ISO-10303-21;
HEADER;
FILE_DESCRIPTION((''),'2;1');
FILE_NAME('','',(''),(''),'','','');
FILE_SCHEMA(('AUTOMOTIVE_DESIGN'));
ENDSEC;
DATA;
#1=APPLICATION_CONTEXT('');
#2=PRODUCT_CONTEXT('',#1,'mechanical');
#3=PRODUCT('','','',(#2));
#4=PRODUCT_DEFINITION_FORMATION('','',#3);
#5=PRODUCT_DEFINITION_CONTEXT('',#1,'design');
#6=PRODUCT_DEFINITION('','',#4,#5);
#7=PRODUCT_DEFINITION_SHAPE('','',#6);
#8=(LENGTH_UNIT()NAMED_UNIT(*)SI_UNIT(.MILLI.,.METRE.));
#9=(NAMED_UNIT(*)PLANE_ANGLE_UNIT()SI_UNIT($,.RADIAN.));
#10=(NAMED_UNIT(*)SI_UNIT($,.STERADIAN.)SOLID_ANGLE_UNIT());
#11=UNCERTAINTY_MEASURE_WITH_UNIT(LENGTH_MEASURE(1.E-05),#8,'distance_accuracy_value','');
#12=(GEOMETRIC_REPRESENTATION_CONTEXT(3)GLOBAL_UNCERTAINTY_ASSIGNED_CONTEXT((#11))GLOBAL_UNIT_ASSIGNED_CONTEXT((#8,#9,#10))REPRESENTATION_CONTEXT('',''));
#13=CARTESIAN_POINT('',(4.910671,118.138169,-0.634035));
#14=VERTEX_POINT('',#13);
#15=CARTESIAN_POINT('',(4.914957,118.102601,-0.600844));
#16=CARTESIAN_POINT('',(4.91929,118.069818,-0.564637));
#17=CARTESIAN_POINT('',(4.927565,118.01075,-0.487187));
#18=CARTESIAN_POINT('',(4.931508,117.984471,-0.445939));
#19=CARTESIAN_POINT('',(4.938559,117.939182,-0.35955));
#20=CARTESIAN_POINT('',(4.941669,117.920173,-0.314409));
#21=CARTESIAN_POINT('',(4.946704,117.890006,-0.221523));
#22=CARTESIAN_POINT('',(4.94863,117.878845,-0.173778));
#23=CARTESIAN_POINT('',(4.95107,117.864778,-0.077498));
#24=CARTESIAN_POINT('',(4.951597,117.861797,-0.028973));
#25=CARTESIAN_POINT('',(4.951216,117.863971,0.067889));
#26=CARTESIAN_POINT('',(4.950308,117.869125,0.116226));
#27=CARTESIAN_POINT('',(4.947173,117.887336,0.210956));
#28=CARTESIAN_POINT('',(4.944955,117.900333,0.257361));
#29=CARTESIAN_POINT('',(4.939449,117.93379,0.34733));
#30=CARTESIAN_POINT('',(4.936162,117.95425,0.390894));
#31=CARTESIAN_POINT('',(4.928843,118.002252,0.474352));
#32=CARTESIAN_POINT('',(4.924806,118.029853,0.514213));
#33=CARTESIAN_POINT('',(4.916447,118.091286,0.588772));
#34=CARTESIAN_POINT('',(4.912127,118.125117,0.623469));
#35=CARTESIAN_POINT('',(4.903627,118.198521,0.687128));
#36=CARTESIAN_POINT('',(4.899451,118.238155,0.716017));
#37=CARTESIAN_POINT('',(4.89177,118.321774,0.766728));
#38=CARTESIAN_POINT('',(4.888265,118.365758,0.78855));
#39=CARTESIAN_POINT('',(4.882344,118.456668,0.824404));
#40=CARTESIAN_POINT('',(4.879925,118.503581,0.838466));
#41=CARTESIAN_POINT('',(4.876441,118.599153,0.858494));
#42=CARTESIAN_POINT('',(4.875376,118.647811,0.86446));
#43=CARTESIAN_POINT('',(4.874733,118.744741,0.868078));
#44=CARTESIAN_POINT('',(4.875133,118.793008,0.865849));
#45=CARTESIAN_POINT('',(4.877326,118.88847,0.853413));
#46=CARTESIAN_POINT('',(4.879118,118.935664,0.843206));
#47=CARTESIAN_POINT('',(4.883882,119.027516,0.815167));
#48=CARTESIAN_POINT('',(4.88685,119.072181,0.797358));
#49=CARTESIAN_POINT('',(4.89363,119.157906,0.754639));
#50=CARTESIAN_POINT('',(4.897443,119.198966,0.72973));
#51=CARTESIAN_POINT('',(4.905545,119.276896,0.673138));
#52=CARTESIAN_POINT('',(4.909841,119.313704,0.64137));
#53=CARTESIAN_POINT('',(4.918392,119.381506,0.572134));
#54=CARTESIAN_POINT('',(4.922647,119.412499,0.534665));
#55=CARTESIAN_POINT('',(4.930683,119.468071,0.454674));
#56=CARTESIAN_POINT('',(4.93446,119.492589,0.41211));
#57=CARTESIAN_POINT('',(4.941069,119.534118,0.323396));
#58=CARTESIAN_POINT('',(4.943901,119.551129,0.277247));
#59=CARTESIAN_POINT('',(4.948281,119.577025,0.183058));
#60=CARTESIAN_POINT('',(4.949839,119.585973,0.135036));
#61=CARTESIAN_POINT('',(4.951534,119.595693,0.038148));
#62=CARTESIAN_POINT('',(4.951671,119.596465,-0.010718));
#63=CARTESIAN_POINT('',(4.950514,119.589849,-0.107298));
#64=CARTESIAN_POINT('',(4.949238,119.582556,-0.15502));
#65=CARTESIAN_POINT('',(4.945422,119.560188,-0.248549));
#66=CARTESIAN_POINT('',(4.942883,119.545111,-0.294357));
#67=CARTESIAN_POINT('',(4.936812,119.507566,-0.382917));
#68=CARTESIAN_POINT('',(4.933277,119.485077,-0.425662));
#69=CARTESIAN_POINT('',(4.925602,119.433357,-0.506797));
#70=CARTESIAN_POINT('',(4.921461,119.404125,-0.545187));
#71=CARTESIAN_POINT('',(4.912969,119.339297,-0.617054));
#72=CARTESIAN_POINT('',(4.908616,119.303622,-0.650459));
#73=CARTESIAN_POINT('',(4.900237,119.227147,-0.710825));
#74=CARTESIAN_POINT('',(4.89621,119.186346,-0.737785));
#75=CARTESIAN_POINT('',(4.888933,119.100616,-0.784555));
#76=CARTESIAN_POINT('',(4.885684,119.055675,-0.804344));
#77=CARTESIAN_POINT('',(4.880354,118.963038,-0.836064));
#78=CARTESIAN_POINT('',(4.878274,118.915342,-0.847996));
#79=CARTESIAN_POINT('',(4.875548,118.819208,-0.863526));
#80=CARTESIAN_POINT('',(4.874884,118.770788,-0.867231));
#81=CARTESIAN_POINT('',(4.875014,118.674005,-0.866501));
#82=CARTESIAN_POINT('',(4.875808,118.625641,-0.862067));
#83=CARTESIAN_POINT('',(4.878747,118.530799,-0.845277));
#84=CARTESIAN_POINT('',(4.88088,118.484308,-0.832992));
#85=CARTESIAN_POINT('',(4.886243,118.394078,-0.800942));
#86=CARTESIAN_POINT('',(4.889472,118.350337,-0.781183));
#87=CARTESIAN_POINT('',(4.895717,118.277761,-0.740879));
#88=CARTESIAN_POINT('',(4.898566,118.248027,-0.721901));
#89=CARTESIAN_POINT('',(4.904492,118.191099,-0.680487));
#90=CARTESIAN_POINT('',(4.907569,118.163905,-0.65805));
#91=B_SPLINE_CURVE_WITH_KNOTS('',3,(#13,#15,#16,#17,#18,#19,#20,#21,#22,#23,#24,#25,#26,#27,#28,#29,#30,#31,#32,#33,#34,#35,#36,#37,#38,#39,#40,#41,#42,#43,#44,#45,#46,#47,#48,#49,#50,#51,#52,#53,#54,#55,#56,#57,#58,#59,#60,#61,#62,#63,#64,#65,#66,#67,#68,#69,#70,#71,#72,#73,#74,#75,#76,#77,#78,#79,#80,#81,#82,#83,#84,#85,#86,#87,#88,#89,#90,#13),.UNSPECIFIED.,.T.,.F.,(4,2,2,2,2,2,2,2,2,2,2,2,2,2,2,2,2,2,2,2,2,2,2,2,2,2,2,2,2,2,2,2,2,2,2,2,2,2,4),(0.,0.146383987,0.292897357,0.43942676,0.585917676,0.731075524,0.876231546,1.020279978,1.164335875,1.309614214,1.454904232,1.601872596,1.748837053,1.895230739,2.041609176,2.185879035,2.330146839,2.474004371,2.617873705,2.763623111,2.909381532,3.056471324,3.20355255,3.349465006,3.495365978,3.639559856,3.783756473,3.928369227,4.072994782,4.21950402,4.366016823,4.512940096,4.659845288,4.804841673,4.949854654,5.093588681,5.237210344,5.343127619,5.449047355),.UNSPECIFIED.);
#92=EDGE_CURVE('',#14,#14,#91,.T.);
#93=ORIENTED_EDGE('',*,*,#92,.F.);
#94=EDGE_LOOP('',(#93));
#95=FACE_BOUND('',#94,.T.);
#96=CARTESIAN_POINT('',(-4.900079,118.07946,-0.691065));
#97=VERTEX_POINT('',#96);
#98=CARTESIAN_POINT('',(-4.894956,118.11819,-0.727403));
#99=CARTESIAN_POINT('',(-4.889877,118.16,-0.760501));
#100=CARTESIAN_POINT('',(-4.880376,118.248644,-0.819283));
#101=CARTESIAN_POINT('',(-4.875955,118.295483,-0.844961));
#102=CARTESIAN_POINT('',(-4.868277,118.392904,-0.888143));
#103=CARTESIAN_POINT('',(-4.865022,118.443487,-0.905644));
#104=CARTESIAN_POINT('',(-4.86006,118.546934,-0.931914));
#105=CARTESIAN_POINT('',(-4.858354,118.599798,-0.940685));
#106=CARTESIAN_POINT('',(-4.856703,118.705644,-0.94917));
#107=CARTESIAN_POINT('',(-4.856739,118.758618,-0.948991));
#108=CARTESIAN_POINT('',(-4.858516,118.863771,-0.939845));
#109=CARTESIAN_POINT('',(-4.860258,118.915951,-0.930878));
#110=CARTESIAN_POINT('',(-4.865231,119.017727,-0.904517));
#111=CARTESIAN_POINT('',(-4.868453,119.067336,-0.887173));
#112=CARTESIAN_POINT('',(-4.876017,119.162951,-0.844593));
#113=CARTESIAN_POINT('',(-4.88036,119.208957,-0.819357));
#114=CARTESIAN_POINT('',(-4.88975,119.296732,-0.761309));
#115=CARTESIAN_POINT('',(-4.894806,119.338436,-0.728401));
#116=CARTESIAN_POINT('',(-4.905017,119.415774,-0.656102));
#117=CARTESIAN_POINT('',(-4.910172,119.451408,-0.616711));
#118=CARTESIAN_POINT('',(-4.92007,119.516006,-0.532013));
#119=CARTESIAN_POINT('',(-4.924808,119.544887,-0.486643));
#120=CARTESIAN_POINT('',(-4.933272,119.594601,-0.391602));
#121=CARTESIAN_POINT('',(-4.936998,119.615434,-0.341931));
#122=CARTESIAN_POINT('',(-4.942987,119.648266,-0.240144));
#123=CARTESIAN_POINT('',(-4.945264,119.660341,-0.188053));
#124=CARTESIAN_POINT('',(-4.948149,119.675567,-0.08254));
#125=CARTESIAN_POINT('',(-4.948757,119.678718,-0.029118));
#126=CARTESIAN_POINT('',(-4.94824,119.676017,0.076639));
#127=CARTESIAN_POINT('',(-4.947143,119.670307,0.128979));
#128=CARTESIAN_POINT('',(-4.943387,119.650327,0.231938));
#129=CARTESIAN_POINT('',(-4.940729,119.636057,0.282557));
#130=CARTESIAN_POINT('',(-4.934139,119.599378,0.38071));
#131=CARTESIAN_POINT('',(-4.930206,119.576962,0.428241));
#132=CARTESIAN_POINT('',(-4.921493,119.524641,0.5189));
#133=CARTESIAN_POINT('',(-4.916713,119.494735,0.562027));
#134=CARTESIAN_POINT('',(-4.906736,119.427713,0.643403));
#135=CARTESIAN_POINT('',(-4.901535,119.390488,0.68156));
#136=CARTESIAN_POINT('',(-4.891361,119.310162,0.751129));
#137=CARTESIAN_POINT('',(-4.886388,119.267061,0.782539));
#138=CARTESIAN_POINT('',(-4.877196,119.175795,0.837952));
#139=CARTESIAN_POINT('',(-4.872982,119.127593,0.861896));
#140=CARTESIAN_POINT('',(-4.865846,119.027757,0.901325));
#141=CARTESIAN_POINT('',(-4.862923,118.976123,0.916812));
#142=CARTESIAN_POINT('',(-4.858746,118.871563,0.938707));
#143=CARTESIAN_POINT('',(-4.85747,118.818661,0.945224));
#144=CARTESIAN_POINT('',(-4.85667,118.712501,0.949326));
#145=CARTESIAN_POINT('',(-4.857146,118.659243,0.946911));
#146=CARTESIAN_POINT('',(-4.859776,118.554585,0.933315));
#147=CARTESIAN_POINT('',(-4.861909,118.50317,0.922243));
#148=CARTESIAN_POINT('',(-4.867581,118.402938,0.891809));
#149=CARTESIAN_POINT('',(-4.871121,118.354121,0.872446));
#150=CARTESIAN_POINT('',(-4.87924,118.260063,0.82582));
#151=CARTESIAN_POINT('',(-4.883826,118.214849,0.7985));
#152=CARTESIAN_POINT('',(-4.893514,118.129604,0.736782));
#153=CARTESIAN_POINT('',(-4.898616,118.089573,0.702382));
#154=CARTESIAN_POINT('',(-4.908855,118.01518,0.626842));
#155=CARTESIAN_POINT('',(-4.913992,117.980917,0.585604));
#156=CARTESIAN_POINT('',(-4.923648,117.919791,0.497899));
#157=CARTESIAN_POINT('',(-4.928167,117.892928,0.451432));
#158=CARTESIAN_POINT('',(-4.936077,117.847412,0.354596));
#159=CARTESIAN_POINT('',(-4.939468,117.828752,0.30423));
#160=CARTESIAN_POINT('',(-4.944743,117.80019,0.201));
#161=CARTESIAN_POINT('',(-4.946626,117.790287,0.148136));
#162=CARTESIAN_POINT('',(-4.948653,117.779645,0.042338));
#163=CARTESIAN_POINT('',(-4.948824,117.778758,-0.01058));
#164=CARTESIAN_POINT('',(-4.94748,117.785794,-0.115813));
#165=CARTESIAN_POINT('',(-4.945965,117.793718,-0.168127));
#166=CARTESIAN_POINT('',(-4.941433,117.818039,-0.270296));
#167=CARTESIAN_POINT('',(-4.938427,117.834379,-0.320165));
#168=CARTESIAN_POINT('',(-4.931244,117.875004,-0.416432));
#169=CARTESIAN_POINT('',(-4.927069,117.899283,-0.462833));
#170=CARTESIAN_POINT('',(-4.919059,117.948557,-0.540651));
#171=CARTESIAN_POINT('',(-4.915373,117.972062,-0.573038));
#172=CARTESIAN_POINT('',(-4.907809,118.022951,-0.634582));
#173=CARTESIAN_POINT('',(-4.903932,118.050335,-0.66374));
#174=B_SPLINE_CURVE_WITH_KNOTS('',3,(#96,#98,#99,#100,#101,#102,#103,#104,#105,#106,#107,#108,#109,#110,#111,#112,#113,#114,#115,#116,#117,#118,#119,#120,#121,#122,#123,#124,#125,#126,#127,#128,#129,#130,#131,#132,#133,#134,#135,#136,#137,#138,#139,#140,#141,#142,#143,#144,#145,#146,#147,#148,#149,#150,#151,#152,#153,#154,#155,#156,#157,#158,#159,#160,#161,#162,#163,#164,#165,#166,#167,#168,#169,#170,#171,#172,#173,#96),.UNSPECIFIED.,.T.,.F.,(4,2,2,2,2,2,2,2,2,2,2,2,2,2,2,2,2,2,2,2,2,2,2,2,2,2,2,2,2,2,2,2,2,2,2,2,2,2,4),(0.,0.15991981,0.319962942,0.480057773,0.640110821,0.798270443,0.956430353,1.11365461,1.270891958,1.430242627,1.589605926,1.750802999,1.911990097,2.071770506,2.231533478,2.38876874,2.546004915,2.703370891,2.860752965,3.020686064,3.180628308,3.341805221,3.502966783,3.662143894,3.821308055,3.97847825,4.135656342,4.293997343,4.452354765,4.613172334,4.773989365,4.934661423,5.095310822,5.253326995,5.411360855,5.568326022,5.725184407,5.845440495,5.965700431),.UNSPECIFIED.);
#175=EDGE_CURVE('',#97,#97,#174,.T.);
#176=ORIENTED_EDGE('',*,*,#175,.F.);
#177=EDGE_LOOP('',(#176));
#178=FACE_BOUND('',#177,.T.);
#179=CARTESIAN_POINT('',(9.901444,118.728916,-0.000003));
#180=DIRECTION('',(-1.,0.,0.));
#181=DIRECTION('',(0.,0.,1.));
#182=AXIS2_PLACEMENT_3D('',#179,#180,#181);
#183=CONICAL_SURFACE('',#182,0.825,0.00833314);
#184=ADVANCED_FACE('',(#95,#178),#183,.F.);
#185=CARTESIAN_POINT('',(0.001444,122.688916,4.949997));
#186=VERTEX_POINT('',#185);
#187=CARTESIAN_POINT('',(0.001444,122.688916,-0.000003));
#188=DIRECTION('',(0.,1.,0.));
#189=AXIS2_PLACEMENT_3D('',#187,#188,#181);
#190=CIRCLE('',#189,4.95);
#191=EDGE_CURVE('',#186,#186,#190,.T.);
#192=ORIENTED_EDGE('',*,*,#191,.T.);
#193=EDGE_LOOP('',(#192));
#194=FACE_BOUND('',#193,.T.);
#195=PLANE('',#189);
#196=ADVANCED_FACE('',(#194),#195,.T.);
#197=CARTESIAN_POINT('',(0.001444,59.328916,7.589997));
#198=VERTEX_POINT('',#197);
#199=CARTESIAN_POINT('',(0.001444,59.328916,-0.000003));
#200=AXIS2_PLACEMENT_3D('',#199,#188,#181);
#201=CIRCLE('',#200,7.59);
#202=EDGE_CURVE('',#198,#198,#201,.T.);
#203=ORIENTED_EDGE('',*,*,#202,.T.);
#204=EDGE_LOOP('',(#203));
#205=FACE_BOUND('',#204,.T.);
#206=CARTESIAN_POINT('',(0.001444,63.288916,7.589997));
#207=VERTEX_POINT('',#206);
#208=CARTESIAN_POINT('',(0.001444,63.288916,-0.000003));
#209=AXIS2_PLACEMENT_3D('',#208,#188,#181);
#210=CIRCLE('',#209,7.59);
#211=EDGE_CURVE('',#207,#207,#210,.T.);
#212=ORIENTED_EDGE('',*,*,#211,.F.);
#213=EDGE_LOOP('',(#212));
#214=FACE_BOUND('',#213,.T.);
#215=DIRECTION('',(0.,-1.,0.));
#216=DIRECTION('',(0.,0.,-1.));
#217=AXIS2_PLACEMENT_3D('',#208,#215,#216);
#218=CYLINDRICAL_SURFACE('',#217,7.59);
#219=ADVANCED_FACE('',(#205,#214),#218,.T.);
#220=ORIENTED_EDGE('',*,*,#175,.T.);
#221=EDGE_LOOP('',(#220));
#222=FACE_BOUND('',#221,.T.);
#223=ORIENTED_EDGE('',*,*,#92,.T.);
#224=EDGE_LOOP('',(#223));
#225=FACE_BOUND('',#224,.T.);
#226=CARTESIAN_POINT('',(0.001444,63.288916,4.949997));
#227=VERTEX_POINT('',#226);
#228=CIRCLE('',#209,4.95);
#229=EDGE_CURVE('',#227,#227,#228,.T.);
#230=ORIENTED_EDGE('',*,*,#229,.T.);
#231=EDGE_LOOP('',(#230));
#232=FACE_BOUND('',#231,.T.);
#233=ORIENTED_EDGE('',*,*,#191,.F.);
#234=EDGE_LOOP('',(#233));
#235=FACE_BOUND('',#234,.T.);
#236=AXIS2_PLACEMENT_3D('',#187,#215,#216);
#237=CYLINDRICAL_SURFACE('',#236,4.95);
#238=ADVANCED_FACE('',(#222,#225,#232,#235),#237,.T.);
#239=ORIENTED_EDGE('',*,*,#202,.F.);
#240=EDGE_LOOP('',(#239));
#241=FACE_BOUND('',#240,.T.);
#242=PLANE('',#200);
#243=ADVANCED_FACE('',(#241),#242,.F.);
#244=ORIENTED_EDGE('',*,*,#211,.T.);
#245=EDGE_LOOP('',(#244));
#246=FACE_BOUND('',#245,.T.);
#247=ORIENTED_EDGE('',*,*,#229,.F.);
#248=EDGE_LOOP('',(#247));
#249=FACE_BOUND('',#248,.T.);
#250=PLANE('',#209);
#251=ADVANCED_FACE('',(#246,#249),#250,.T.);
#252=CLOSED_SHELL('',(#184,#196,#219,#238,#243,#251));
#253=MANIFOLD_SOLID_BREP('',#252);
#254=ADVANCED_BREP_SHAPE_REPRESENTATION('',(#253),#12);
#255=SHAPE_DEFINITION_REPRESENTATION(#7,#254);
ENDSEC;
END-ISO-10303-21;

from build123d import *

# Parameters (mm, degrees)
SKETCH1_R           = 23
BOSS_EXTRUDE1_DEPTH = 12
SKETCH2_R           = 15
BOSS_EXTRUDE2_DEPTH = 180
SCALE1_SCALE        = 0.33


with BuildPart() as part:
    # Sketch1 → Boss-Extrude1 (new body)
    with BuildSketch(Plane(origin=(0, 0, 0), x_dir=(1, 0, 0), z_dir=(0, 1, 0))):
        with Locations(Location((0, 0, 0), (0, 0, 270))):
            Circle(SKETCH1_R)
    extrude(amount=BOSS_EXTRUDE1_DEPTH)

    # Sketch2 → Boss-Extrude2 (add)
    with BuildSketch(Plane(origin=(0, 12, 0), x_dir=(1, 0, 0), z_dir=(0, 1, 0))):
        with Locations(Location((0, 0, 0), (0, 0, 90))):
            Circle(SKETCH2_R)
    extrude(amount=BOSS_EXTRUDE2_DEPTH)

    # Sketch4 → Cut-Revolve4 (revolve, cut)
    with BuildSketch(Plane(origin=(0, 180, 0), x_dir=(1, 0, 0), z_dir=(0, 1, 0)), mode=Mode.PRIVATE) as cut_revolve4_sk:
        Polygon((30, 0), (-30, 0), (-30, 3), (30, 2.5), align=None)
    revolve(cut_revolve4_sk.sketch.rotate(Axis((30, 180, 0), (-1, 0, 0)), 43.222244731), axis=Axis((30, 180, 0), (-1, 0, 0)), mode=Mode.SUBTRACT)


with BuildPart() as part_1:
    # Scale1: scaled about (0.002156462, 88.550518563, 3e-09)
    add(part.part.scale(SCALE1_SCALE).moved(Location((0.00144483, 59.328847437, 2e-09))))


solid = part_1.part
